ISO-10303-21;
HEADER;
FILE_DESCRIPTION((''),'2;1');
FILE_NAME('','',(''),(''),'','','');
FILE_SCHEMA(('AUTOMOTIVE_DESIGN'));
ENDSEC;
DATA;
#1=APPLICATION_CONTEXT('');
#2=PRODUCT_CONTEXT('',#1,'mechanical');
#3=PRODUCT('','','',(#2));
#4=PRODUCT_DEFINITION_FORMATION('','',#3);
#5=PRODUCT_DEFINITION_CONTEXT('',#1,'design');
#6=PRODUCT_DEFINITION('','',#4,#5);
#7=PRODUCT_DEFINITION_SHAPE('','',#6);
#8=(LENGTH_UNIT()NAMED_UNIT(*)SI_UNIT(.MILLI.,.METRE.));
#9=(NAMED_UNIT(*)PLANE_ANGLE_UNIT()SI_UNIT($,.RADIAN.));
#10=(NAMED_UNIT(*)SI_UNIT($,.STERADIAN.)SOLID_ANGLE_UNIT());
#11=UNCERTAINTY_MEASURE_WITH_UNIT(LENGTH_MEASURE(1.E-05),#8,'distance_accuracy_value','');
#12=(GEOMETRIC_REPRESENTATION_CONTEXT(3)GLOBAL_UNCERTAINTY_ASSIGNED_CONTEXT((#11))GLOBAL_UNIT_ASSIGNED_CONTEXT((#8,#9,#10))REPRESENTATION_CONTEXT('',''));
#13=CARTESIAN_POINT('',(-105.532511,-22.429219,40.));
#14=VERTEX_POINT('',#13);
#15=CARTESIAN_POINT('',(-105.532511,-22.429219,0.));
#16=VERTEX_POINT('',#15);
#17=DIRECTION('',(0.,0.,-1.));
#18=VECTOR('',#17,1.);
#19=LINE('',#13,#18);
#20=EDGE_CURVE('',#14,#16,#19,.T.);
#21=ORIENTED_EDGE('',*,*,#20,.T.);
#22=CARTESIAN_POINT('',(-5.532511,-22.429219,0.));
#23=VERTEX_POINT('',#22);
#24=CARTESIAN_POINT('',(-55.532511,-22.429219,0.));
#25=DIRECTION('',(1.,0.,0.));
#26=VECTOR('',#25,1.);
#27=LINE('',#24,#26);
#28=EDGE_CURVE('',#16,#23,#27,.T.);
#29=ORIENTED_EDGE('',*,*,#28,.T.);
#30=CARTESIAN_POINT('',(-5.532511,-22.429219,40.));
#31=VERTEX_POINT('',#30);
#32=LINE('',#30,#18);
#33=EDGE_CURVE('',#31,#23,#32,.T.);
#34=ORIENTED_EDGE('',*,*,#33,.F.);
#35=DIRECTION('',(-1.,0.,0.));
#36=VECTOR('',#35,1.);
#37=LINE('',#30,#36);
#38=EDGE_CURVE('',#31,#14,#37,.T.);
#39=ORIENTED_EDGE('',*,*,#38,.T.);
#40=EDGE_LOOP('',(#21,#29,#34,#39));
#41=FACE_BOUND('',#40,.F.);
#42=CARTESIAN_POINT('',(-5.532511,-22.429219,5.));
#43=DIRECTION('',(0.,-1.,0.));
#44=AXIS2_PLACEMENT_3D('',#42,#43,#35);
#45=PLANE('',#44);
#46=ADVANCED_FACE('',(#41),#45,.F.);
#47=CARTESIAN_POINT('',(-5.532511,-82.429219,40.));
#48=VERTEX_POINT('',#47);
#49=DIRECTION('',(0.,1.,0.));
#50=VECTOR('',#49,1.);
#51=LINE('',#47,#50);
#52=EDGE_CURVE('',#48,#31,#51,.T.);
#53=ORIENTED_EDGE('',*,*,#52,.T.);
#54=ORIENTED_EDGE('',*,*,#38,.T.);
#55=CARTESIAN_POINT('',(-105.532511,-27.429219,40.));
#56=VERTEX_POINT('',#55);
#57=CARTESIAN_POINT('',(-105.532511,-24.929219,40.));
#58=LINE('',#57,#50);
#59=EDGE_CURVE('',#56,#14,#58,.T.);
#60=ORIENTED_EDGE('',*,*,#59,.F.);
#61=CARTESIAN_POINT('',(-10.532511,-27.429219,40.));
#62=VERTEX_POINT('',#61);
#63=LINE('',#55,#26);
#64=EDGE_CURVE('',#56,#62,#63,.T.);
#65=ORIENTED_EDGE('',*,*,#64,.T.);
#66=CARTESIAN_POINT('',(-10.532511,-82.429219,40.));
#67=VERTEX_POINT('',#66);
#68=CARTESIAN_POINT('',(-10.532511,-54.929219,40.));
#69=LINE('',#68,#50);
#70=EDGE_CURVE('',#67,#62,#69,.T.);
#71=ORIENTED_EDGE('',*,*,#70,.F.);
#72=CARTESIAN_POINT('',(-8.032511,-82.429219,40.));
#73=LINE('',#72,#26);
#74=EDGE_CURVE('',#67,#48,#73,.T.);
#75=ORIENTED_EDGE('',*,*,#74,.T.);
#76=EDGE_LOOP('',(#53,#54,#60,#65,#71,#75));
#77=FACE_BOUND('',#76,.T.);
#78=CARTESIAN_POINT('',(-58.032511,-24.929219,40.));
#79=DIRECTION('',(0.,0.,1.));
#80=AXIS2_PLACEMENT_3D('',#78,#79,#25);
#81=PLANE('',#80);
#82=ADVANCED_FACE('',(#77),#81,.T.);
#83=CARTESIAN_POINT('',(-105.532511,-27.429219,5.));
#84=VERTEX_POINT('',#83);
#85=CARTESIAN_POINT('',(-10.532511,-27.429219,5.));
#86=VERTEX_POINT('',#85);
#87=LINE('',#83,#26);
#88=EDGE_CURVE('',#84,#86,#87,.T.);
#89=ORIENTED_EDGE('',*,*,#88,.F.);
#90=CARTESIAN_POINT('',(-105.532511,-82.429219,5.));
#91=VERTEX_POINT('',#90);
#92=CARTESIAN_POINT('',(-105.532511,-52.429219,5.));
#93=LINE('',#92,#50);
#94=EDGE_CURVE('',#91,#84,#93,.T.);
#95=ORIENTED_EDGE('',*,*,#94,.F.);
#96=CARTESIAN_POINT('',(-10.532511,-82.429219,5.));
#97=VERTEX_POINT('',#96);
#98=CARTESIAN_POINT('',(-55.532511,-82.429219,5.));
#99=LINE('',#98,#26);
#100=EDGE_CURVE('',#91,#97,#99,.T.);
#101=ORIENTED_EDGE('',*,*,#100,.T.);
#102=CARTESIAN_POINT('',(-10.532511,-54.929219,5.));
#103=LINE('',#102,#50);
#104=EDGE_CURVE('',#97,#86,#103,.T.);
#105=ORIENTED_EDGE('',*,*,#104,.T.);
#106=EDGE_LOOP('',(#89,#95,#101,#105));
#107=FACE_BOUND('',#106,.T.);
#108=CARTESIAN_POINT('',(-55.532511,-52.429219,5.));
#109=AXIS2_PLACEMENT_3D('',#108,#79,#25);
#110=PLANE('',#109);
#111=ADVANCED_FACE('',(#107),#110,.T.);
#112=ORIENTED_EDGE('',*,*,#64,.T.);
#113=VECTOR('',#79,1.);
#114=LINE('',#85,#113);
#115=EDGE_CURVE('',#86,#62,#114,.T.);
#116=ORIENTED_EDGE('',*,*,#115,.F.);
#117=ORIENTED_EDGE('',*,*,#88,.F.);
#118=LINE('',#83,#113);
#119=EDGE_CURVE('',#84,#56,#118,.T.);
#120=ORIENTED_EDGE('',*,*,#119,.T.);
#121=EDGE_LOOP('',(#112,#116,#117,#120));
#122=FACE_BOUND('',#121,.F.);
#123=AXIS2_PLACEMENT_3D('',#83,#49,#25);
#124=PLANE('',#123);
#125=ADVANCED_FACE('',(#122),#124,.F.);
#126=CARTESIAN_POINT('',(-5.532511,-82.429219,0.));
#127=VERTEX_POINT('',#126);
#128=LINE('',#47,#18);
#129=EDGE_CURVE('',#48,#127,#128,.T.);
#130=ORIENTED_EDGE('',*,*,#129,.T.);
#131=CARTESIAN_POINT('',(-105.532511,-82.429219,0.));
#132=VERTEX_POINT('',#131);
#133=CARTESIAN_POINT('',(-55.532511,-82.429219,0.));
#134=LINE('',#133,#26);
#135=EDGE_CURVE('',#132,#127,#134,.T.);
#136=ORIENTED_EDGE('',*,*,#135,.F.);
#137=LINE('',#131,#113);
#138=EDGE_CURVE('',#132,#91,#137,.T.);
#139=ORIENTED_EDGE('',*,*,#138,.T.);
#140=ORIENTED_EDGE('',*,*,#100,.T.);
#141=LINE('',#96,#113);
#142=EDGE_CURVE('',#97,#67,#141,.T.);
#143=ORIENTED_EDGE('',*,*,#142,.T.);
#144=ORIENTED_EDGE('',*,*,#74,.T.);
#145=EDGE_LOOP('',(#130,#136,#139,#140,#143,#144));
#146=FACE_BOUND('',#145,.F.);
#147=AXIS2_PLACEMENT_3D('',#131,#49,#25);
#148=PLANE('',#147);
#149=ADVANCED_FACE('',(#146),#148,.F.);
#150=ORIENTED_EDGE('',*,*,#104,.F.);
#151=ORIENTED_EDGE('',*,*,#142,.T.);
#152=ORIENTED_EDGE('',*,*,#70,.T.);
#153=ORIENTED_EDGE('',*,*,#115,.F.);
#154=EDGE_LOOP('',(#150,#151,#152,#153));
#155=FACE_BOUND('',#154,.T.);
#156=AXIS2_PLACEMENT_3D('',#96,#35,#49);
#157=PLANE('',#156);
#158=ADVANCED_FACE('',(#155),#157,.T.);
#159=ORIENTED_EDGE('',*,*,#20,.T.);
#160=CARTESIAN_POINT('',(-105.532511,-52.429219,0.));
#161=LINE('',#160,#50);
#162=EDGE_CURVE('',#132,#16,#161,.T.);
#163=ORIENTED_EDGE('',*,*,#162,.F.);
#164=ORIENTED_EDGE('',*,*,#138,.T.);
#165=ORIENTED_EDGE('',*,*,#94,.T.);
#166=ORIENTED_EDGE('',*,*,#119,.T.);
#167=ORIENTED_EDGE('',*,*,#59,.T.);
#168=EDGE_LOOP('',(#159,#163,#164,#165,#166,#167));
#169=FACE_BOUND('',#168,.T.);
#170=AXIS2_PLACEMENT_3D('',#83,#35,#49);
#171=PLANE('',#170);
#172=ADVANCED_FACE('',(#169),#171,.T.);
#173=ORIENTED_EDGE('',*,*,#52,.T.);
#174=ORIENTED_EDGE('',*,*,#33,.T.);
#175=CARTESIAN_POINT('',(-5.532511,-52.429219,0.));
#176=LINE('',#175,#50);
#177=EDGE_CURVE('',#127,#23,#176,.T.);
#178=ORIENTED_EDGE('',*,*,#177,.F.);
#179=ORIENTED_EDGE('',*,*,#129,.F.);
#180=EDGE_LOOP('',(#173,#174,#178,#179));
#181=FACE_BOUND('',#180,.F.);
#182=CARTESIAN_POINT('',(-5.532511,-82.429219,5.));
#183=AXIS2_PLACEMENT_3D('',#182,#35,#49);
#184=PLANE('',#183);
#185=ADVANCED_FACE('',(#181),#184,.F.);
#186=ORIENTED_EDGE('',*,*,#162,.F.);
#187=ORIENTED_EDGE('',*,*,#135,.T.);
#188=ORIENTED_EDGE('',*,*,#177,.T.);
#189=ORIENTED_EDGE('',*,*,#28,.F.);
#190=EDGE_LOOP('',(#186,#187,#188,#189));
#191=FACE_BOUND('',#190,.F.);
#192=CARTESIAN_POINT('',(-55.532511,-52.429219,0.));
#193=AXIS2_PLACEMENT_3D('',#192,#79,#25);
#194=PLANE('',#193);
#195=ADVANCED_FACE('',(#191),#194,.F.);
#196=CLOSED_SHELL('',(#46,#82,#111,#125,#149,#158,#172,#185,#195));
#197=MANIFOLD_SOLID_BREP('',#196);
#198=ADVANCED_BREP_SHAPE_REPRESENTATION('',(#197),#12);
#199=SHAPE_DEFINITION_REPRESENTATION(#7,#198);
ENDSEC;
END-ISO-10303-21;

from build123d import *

# Parameters (mm, degrees)
F0_W     = 100
F0_H     = 60
F1_DEPTH = 5
F2_W     = 95
F2_H     = 5
F2_W_2   = 5
F2_H_2   = 55
F3_DEPTH = 35


with BuildPart() as f1:
    # F0 (on Top) → F1 (new body)
    with BuildSketch(Plane.XY):
        with Locations((-55.532511, -52.429219)):
            Rectangle(F0_W, F0_H)
    extrude(amount=F1_DEPTH)

    # F2 (on face) → F3 (join)
    with BuildSketch(Plane.XY.offset(5)):
        with Locations((-58.032511, -24.929219)):
            Rectangle(F2_W, F2_H)
        with Locations((-8.032511, -24.929219)):
            Rectangle(F2_W_2, F2_H)
        with Locations((-8.032511, -54.929219)):
            Rectangle(F2_W_2, F2_H_2)
    extrude(amount=F3_DEPTH)


solid = f1.part
